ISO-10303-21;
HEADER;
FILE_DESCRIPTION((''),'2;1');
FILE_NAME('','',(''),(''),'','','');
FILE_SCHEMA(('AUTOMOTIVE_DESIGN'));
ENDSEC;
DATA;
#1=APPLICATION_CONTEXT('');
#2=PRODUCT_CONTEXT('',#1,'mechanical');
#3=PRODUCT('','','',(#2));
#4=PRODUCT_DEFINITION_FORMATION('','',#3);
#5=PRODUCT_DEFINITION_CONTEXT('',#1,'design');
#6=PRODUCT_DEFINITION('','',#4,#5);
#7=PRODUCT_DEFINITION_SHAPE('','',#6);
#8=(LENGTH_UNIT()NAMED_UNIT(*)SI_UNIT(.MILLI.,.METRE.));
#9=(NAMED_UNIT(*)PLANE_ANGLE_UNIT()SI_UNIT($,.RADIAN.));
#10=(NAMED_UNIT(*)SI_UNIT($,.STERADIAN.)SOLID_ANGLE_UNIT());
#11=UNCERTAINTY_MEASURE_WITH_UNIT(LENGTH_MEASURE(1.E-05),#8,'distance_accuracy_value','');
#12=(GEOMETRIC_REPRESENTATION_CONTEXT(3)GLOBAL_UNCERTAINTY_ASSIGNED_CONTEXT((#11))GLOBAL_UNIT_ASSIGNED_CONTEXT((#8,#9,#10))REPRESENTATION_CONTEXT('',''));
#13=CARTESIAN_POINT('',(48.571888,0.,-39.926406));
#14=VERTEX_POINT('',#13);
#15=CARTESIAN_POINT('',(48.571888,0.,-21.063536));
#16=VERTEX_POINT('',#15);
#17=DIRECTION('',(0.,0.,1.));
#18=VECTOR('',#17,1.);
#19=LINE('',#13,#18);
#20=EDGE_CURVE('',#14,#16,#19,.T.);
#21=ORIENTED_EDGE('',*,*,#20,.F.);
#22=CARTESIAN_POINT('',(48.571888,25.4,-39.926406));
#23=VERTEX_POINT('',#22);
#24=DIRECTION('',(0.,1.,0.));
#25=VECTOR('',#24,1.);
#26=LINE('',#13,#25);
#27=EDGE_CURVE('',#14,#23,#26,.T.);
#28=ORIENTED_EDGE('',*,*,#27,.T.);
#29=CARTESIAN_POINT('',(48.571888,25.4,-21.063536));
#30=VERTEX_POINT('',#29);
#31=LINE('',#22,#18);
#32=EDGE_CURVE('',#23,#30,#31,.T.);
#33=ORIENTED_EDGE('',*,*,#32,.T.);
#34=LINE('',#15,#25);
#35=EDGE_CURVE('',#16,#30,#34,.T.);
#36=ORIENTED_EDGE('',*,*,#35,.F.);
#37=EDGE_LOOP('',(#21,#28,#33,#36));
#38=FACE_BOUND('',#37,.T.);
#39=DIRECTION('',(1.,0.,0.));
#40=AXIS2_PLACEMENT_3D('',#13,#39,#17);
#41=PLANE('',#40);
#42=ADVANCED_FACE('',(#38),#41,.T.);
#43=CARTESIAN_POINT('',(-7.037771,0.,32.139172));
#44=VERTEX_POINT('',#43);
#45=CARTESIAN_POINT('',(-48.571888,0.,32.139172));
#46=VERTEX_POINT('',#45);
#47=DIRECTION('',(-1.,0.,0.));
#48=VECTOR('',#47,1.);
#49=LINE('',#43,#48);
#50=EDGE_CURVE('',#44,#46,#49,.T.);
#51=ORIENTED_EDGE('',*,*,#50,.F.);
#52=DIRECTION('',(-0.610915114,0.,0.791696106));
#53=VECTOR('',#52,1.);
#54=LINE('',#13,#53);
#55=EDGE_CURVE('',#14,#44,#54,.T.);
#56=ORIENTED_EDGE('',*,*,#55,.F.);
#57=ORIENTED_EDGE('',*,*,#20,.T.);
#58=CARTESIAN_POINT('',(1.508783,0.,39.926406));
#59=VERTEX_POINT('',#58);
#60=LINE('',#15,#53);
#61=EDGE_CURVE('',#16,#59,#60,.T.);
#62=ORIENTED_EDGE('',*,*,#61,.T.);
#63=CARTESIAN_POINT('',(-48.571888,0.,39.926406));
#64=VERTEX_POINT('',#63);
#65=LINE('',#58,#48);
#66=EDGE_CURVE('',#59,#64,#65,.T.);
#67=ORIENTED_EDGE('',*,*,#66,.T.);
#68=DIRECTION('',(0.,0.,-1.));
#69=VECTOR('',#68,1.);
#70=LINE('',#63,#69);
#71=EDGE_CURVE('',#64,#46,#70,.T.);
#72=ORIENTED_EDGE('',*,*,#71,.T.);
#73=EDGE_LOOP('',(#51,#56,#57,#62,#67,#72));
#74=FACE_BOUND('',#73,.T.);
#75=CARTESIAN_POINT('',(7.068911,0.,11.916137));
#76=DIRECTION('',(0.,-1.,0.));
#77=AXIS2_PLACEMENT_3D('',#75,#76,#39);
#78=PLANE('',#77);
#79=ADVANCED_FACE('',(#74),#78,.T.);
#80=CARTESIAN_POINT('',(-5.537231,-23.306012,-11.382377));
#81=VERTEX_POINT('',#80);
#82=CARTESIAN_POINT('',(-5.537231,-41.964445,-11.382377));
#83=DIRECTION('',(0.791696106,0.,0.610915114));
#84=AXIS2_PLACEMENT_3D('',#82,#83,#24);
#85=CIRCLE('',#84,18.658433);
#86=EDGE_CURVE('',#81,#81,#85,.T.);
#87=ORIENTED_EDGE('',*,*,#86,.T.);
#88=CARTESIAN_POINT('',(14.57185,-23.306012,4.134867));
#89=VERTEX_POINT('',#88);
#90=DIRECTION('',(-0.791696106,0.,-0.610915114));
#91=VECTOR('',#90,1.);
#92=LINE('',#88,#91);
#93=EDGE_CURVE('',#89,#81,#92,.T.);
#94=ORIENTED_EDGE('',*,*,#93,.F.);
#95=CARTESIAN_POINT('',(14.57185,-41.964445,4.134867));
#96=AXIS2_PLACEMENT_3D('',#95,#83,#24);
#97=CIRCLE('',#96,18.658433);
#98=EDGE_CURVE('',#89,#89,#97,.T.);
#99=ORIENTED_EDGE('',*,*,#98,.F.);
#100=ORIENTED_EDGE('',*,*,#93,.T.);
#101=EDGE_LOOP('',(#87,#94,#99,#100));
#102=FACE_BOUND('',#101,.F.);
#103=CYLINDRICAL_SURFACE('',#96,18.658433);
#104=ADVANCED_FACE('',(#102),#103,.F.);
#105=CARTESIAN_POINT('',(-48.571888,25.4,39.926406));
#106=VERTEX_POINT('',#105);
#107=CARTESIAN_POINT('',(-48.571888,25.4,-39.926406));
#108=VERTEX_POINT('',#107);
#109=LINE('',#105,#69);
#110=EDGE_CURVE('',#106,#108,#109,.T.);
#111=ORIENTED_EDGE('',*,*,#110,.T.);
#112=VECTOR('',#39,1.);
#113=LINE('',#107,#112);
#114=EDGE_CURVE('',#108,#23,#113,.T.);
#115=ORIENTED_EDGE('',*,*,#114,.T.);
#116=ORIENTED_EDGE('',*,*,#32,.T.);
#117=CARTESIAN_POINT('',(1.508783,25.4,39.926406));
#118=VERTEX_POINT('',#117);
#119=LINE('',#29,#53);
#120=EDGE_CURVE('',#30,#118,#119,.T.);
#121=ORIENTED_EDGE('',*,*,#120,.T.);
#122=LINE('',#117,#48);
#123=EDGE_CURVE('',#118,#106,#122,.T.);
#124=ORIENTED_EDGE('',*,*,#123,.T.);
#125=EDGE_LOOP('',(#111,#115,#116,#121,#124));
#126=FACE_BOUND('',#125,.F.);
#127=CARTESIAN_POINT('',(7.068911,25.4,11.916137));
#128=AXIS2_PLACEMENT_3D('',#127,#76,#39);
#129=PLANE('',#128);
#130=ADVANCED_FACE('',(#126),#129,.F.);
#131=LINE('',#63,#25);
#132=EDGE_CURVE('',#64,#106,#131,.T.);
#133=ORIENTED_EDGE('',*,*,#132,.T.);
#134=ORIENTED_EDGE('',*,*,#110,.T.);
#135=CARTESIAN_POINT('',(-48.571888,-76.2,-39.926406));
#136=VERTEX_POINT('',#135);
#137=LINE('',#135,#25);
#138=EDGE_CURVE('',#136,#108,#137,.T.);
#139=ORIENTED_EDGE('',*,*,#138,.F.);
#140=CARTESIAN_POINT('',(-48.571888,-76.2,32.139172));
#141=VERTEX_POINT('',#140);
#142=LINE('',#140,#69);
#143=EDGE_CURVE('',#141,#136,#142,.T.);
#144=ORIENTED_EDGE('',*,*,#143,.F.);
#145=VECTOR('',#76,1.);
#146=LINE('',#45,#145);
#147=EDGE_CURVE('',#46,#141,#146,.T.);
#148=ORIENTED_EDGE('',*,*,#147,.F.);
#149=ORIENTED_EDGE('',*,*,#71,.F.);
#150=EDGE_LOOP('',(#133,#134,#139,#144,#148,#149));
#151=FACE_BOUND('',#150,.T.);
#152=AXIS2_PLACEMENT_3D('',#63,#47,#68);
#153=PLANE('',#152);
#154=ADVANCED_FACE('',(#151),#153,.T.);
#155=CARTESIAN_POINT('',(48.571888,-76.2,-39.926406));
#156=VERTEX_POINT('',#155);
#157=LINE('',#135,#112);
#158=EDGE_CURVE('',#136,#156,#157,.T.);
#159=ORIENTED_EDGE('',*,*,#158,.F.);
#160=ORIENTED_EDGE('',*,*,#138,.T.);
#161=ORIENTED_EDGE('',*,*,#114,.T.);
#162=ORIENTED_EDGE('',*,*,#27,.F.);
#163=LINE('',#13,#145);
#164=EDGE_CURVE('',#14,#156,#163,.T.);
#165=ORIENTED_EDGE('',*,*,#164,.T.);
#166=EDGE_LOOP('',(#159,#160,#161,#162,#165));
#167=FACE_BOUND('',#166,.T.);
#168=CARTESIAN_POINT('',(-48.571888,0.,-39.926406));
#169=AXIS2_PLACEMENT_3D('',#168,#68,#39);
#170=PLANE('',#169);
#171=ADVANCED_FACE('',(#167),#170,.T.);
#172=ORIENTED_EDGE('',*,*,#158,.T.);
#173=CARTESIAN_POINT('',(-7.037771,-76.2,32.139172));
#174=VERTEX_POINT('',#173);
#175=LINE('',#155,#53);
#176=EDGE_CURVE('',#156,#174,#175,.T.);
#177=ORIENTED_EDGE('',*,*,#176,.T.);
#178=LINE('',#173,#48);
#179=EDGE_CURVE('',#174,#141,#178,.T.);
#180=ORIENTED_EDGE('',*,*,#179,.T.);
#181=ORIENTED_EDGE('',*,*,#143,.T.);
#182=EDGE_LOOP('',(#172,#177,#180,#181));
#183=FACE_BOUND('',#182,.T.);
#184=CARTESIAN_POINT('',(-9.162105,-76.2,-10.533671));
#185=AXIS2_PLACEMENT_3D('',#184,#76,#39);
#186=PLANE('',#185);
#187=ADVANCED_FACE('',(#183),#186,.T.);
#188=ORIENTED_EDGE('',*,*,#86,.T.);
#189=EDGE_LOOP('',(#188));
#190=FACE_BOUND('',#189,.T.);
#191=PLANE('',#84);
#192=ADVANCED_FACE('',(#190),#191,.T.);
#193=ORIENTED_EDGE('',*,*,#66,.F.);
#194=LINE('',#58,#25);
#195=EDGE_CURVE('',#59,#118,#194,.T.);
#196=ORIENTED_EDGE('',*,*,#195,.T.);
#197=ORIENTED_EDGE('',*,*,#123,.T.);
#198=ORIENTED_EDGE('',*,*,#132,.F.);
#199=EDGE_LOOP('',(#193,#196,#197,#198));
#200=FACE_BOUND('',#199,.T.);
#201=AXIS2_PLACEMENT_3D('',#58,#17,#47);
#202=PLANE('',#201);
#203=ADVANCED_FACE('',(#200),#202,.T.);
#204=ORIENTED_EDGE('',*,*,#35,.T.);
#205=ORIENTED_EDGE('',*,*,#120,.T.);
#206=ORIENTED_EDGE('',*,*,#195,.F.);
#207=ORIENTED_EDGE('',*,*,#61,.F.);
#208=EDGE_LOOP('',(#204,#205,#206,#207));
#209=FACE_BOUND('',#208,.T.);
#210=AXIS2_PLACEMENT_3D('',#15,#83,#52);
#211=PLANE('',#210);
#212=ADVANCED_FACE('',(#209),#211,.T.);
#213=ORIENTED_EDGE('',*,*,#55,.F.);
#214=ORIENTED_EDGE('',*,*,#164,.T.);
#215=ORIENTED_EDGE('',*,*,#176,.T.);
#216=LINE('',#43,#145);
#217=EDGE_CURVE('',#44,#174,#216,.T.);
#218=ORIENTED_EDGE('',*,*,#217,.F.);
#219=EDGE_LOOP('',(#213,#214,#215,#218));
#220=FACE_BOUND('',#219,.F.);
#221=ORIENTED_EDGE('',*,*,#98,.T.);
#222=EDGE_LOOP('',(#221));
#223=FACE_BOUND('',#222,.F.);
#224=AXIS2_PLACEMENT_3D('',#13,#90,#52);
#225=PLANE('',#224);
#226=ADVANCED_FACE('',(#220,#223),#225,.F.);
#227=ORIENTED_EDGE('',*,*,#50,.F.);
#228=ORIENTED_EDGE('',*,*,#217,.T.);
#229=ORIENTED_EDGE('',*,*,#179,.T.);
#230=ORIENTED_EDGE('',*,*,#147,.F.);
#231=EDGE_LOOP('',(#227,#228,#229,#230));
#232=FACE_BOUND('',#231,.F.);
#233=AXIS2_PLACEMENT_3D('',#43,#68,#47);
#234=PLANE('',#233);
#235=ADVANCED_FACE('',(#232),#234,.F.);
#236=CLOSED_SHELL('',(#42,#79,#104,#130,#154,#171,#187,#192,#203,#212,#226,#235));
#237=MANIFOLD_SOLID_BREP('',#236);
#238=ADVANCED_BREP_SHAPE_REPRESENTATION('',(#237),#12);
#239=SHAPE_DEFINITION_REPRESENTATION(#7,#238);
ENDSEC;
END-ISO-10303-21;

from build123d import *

# Parameters (mm, degrees)
F1_DEPTH = 76.2
F2_DEPTH = 25.4
F3_R     = 18.658433191
F4_DEPTH = 25.4


with BuildPart() as f1:
    # F0 (on Front) → F1 (new body)
    with BuildSketch(Plane.XZ):
        Polygon((-7.0377709532, 32.1391718601), (-48.5718883574, 32.1391718601), (-48.5718883574, -39.9264059961), (48.5718883574, -39.9264059961), align=None)
    extrude(amount=F1_DEPTH)

    # F0 (on Front) → F2 (join)
    with BuildSketch(Plane.XZ):
        Polygon((48.5718883574, -21.0635364056), (1.5087825138, 39.9264059961), (-48.5718883574, 39.9264059961), (-48.5718883574, 32.1391718601), (-7.0377709532, 32.1391718601), (48.5718883574, -39.9264059961), align=None)
        Polygon((-7.0377709532, 32.1391718601), (-48.5718883574, 32.1391718601), (-48.5718883574, -39.9264059961), (48.5718883574, -39.9264059961), align=None)
    extrude(amount=-F2_DEPTH)

    # F3 (on face) → F4 (cut)
    with BuildSketch(Plane(origin=(11.1332502223, 0, 8.5910121073), x_dir=(0, 1, 0), z_dir=(0.7916961056, 0, 0.6109151139))):
        with Locations((-41.9644452631, -5.6286053732)):
            Circle(F3_R)
    extrude(amount=-F4_DEPTH, mode=Mode.SUBTRACT)


solid = f1.part
